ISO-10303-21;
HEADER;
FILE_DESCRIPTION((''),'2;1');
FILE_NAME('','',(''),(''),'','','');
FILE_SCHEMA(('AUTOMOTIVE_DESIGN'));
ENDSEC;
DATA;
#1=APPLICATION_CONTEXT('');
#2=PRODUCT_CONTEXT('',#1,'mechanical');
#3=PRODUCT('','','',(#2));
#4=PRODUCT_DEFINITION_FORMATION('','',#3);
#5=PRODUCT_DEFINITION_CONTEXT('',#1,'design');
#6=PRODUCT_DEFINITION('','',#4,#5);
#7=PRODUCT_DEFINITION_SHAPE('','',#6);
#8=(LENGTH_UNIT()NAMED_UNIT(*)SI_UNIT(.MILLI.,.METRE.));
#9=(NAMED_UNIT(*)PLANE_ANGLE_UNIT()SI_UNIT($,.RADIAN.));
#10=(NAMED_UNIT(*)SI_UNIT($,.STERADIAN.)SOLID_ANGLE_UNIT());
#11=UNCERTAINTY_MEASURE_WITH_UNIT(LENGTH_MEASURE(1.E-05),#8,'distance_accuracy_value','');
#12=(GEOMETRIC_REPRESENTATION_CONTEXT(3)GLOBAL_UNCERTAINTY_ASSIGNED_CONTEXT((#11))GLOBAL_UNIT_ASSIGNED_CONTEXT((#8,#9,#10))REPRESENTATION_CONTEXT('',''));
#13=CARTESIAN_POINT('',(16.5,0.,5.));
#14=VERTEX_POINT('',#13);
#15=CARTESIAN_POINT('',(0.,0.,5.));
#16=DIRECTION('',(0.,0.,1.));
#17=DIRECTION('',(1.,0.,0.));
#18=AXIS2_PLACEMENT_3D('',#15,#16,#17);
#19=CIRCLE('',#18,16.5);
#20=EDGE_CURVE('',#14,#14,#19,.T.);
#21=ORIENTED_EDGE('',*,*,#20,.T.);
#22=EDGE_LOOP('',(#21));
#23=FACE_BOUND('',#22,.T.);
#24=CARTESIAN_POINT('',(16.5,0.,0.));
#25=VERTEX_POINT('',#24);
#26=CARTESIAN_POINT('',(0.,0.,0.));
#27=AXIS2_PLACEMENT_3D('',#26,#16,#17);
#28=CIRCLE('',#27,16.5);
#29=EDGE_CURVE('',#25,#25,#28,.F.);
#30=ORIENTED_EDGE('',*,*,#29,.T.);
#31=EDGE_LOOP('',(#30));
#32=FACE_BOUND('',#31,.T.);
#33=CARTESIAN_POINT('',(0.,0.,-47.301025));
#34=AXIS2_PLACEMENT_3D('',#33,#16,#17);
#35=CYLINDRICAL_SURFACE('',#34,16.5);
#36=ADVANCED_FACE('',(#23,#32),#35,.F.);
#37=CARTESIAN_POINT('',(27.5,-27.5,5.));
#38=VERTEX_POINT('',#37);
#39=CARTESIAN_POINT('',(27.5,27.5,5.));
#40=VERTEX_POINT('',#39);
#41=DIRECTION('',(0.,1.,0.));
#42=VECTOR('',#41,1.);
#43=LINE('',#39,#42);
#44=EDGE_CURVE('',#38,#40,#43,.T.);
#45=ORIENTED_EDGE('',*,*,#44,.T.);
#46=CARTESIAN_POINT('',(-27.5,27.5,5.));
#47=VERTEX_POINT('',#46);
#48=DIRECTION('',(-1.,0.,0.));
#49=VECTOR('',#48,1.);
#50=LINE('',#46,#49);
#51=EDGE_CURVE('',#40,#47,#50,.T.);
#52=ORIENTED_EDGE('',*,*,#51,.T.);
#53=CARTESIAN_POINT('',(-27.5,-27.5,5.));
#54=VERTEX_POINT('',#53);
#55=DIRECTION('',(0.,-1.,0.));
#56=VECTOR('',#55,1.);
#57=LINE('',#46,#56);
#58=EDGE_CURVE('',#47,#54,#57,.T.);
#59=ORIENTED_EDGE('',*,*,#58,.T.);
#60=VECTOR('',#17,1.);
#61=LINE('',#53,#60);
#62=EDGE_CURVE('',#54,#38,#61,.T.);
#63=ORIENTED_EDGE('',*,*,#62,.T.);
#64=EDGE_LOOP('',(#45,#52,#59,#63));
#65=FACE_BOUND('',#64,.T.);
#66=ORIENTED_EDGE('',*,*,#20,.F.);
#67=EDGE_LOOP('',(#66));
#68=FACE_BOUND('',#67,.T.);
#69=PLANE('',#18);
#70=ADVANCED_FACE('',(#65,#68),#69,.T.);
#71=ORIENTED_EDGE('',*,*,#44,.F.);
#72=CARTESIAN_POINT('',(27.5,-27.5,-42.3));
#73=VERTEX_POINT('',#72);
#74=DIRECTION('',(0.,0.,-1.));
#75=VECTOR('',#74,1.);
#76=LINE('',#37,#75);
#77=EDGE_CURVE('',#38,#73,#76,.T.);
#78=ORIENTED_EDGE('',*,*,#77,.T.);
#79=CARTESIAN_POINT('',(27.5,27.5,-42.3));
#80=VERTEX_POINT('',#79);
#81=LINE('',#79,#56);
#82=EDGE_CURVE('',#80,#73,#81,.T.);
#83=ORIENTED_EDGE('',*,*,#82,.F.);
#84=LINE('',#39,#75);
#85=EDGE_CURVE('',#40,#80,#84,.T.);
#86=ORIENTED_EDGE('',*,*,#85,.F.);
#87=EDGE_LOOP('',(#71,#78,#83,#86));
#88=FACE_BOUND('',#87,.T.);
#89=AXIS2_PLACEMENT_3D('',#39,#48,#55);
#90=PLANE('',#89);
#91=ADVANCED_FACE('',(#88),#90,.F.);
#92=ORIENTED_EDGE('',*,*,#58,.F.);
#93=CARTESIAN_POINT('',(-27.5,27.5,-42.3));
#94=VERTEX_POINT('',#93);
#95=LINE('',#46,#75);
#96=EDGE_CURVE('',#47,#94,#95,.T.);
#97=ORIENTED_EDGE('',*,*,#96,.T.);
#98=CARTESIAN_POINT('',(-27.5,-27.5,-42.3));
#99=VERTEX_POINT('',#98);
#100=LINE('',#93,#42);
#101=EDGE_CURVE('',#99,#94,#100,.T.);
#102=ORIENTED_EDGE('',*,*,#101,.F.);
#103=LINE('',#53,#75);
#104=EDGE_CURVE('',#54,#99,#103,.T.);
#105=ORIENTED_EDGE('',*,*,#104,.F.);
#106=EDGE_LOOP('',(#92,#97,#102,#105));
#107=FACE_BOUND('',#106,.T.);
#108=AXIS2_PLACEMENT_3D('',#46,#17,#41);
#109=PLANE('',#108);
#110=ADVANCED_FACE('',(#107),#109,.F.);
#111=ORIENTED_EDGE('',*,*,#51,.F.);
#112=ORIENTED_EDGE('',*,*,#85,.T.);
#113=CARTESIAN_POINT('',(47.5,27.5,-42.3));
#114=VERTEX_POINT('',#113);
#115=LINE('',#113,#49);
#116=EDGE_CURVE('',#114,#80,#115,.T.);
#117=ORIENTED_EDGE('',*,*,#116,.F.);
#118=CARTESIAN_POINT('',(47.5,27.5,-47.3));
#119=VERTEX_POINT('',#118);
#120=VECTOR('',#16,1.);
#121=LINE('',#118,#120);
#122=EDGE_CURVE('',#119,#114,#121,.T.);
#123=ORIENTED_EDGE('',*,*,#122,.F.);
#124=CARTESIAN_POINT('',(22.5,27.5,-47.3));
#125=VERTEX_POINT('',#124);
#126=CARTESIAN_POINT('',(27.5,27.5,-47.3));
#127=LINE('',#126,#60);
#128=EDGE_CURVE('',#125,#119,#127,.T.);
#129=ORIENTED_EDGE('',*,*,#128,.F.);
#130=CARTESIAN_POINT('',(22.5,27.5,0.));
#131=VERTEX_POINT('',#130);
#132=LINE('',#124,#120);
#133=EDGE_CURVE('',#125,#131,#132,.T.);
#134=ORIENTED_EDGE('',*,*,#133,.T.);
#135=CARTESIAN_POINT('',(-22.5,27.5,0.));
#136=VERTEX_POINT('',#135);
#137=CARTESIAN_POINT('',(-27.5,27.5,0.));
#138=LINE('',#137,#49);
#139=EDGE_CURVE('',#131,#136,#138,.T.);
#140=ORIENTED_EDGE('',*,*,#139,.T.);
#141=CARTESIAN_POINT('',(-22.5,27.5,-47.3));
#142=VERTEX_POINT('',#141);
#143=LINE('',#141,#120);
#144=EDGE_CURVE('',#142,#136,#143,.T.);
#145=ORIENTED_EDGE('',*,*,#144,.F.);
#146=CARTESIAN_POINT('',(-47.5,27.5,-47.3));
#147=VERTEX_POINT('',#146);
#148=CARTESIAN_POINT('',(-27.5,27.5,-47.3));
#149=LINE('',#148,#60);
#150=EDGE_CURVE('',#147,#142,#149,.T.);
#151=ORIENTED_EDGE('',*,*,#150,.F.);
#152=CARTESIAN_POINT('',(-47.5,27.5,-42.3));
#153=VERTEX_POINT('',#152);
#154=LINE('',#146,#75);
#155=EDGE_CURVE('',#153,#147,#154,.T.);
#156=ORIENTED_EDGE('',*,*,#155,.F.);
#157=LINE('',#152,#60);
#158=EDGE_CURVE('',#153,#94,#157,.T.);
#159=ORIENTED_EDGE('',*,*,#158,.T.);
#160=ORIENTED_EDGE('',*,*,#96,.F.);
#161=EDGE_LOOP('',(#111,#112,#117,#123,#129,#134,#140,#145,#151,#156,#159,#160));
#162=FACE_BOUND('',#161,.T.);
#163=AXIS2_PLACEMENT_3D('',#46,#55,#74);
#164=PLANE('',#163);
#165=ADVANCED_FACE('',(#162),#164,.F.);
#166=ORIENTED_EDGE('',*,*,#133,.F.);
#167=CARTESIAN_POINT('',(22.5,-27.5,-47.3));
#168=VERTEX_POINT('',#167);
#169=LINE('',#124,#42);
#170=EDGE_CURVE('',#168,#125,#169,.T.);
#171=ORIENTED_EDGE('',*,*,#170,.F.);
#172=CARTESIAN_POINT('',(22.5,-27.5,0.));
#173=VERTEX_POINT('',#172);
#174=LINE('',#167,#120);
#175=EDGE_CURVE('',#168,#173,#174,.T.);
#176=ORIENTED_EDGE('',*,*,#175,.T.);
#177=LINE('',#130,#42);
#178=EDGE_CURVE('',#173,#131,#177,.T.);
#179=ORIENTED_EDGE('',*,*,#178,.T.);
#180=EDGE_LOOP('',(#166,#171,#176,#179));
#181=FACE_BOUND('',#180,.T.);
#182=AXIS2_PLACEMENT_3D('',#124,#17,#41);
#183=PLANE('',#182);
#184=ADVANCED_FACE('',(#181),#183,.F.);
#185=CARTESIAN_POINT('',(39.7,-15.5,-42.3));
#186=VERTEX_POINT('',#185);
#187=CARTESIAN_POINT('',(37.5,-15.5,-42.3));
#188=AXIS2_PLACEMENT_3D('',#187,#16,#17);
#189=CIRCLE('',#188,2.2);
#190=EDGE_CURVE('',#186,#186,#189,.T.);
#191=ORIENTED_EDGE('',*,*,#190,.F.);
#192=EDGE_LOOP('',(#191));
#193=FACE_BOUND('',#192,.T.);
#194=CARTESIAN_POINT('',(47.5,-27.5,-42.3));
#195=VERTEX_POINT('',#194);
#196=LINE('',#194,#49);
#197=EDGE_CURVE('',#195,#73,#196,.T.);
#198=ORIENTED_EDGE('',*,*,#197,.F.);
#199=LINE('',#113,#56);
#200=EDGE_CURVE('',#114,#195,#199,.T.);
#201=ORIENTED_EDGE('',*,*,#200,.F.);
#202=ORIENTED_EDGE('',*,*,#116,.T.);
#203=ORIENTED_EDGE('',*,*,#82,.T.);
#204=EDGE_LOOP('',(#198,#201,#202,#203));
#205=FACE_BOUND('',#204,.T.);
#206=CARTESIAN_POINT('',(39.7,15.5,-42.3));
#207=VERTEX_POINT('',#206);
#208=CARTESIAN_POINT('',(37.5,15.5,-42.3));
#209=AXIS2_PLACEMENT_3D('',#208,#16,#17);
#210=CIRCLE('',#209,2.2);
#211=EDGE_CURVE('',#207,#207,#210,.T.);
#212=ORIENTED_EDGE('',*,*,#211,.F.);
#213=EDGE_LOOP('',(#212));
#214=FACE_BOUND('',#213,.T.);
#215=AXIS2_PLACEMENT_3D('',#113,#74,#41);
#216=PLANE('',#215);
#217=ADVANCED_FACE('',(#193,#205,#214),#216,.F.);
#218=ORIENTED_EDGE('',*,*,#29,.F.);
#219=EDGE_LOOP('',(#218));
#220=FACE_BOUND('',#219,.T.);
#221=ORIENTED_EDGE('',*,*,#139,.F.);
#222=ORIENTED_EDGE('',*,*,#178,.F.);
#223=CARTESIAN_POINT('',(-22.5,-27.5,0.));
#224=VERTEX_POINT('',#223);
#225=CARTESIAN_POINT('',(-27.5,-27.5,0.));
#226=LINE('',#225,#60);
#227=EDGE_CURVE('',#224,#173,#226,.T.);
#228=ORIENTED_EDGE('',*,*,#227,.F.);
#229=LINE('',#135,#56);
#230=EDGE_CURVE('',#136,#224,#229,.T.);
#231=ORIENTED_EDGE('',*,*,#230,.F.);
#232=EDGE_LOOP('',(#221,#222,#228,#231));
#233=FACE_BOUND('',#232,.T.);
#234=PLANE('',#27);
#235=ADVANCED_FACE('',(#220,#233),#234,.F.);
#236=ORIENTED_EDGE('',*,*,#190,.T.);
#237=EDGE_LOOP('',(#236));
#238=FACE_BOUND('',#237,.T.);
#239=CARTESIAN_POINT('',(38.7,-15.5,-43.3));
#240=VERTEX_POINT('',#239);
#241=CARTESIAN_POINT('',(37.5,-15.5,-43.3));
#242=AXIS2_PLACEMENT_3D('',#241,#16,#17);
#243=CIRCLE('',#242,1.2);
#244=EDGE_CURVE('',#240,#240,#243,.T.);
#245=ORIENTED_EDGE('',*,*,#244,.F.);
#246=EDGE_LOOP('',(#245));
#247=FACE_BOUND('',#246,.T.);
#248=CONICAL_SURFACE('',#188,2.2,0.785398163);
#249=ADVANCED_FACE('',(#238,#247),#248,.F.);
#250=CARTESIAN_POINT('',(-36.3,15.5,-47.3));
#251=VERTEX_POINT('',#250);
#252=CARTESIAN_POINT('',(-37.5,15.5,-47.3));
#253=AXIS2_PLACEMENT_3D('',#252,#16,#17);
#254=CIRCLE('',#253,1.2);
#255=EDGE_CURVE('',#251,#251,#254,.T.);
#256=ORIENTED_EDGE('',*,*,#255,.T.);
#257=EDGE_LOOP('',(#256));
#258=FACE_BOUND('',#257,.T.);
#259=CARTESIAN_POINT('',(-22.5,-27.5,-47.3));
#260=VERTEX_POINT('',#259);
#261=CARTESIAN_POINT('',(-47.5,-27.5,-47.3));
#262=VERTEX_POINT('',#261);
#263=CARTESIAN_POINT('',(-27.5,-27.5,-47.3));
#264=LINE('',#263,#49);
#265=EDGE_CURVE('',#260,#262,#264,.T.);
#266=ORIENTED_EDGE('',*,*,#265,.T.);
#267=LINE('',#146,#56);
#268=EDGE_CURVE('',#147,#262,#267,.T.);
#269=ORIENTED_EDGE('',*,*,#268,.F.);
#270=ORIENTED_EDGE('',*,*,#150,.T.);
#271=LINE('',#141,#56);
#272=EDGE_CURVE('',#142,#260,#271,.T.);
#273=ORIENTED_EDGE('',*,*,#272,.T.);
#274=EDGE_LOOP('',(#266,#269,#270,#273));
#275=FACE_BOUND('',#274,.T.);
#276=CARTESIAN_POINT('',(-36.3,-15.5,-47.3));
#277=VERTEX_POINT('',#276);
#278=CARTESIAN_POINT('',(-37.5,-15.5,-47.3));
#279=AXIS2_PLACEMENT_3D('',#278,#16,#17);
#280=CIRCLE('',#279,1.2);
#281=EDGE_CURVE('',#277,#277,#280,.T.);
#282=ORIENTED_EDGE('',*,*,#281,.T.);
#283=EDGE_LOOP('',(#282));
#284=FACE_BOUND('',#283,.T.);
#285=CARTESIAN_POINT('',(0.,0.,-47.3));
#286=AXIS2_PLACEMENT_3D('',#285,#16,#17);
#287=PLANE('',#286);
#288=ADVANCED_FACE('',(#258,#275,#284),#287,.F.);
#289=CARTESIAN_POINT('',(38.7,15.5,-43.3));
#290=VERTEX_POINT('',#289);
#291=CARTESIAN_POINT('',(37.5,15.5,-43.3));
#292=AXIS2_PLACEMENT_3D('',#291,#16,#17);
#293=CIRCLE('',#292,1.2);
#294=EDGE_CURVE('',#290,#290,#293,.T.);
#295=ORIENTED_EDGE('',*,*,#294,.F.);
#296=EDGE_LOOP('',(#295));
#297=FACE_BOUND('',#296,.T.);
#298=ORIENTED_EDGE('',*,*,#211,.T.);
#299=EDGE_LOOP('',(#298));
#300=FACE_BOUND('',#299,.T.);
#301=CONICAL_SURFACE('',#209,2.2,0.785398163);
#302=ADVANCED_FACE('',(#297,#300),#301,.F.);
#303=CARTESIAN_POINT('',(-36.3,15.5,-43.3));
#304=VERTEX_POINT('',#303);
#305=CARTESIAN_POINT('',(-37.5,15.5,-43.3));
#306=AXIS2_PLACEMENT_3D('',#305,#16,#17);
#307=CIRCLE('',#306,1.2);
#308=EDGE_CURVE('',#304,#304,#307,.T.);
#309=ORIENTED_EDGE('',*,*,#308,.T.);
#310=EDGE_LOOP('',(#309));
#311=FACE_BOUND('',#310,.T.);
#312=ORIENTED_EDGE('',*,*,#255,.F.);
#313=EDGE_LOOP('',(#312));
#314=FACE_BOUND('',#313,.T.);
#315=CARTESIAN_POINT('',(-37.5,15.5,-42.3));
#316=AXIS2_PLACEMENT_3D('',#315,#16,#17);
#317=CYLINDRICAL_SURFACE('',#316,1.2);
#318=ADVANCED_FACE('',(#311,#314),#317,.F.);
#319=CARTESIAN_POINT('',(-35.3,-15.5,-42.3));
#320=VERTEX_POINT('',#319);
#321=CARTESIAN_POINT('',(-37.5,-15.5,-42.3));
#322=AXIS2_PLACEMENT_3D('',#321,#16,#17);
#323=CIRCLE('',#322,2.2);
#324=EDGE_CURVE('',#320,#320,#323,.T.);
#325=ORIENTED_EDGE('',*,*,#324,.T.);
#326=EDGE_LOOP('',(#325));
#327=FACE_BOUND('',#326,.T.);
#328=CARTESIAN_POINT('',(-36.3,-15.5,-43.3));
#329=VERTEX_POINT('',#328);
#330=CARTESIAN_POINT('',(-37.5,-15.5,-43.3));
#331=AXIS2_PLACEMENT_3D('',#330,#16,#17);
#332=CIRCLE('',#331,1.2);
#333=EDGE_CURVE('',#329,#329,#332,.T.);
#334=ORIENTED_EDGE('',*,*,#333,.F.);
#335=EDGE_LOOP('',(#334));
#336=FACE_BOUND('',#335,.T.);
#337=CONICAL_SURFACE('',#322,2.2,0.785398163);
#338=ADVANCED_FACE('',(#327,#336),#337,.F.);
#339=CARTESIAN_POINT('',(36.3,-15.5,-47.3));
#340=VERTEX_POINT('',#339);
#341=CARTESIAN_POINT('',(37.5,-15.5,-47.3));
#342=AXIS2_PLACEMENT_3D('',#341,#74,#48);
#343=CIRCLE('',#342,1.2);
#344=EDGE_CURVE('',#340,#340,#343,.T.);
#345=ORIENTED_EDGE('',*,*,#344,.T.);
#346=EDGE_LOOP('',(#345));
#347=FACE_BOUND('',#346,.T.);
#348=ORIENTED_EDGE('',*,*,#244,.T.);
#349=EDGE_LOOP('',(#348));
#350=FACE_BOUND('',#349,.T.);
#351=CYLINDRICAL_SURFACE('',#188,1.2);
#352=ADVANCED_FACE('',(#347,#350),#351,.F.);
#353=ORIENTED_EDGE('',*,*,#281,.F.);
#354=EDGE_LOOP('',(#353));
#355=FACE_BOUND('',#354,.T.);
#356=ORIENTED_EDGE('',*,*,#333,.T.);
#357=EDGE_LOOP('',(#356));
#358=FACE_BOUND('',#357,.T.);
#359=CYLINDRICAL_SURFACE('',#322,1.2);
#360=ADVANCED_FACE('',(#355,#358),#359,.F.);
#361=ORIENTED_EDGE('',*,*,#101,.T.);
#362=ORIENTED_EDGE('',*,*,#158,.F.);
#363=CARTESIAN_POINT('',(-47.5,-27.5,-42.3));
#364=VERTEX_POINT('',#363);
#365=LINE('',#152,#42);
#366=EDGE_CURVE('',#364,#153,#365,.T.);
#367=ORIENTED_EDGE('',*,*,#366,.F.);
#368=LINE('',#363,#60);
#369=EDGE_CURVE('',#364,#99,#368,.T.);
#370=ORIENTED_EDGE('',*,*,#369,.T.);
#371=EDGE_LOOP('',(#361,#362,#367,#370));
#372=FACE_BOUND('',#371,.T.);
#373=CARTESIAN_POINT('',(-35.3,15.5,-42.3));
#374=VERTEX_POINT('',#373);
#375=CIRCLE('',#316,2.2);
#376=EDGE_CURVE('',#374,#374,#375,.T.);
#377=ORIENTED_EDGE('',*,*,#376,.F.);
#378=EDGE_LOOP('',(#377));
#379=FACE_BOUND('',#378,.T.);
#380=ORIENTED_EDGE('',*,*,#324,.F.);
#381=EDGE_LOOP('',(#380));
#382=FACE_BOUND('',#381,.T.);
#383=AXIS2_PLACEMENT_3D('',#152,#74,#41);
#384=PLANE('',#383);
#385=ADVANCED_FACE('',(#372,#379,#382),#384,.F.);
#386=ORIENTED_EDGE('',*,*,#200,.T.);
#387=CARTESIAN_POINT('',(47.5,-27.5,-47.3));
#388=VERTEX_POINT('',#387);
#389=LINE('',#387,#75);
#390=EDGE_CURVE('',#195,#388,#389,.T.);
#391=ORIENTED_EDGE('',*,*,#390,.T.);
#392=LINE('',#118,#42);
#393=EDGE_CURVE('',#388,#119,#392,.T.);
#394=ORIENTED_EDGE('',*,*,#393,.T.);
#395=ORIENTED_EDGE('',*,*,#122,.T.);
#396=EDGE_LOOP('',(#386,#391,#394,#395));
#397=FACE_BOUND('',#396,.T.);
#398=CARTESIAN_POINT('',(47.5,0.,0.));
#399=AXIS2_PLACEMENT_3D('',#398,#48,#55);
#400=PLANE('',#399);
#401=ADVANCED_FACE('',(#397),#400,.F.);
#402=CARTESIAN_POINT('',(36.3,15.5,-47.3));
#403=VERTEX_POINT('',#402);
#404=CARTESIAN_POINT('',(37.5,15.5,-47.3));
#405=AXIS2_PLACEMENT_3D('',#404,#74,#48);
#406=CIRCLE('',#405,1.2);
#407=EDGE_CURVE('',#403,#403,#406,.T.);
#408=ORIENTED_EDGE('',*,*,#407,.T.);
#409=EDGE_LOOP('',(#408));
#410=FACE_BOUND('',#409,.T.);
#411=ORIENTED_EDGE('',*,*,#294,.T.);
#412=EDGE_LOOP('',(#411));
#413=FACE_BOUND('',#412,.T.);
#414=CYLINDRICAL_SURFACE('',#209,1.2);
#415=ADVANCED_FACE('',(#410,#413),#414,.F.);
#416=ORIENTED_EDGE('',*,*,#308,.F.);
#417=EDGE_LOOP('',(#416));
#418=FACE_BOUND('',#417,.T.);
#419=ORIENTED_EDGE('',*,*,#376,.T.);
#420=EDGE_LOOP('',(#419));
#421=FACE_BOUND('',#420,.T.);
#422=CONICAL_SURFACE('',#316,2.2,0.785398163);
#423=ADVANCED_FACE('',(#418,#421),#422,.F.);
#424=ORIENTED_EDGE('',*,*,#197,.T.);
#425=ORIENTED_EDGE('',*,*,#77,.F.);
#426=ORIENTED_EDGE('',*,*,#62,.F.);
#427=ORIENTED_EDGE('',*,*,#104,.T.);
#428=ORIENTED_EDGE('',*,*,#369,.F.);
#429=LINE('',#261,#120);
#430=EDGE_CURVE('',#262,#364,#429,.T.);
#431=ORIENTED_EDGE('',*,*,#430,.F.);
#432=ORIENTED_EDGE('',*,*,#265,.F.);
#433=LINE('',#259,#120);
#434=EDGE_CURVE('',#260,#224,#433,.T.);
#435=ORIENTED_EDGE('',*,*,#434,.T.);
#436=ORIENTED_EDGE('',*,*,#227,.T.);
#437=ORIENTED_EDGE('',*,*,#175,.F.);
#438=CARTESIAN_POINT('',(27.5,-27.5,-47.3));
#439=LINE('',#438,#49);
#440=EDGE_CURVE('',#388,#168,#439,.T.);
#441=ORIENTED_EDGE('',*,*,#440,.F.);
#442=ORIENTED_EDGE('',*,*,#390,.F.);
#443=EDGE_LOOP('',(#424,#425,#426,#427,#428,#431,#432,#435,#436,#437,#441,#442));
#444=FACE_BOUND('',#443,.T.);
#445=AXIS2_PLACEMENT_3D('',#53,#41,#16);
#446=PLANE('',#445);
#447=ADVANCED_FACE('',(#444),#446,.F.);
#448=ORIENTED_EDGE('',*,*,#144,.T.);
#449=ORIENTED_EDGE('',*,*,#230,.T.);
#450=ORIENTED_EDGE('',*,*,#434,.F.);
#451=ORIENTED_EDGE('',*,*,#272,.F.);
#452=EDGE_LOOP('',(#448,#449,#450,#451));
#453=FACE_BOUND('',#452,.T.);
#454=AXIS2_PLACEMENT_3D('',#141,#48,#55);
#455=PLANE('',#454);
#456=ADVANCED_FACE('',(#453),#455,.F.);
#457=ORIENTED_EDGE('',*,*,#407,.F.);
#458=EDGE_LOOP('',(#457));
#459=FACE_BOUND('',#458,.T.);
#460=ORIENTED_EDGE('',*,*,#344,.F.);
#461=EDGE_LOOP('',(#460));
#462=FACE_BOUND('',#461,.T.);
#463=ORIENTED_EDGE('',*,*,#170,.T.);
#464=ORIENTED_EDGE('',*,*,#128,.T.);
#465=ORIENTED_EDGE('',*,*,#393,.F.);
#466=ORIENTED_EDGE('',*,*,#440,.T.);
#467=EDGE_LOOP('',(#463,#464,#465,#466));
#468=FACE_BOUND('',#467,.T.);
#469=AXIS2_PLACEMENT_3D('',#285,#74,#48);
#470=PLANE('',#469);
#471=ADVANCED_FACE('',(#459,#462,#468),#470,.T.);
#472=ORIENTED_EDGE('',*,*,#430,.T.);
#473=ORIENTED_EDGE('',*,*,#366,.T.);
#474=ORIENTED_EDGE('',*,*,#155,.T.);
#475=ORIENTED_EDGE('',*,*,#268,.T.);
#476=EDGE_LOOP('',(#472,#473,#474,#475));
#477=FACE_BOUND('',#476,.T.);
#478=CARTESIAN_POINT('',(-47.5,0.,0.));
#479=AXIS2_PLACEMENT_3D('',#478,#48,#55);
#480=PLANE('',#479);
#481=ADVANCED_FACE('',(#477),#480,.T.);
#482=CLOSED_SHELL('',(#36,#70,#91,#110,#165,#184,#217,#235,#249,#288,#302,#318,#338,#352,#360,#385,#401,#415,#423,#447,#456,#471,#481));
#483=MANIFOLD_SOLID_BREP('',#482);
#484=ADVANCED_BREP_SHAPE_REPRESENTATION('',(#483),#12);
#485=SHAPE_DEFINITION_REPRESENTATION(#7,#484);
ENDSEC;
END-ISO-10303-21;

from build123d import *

# Parameters (mm, degrees)
SKETCH1_W                                       = 55
SKETCH1_H                                       = 55
BOSS_EXTRUDE1_DEPTH                             = 5
SKETCH2_W                                       = 5
SKETCH2_H                                       = 55
BOSS_EXTRUDE2_DEPTH                             = 47.3
CUT_EXTRUDE1_REACH                              = 54.3
SKETCH3_R                                       = 16.5
SKETCH4_W                                       = 5
SKETCH4_H                                       = 55
BOSS_EXTRUDE3_DEPTH                             = 20
SKETCH5_W                                       = 5
SKETCH5_H                                       = 55
BOSS_EXTRUDE4_DEPTH                             = 20
CSK_FOR_M2_FLAT_HEAD_MACHINE_SCREW1_D           = 2.4
CSK_FOR_M2_FLAT_HEAD_MACHINE_SCREW1_CSINK_D     = 4.4
CSK_FOR_M2_FLAT_HEAD_MACHINE_SCREW1_CSINK_ANGLE = 90


with BuildPart() as part:
    # Sketch1 → Boss-Extrude1 (new body)
    with BuildSketch(Plane.XY):
        Rectangle(SKETCH1_W, SKETCH1_H)
    extrude(amount=BOSS_EXTRUDE1_DEPTH)

    # Sketch2 → Boss-Extrude2 (add)
    with BuildSketch(Plane(origin=(0, 0, 0), x_dir=(-1, 0, 0), z_dir=(0, 0, -1))):
        with Locations((-25, 0)):
            Rectangle(SKETCH2_W, SKETCH2_H)
        with Locations((25, 0)):
            Rectangle(SKETCH2_W, SKETCH2_H)
    extrude(amount=BOSS_EXTRUDE2_DEPTH)

    # Sketch3 → Cut-Extrude1 (cut, up to next)
    with BuildSketch(Plane.XY.offset(5), mode=Mode.PRIVATE) as cut_extrude1_sk1:
        Circle(SKETCH3_R)
    cut_extrude1_tool1 = extrude(cut_extrude1_sk1.sketch, amount=-CUT_EXTRUDE1_REACH, mode=Mode.PRIVATE) & part.part
    add(cut_extrude1_tool1.solids().sort_by_distance((0, 0, 5))[0], mode=Mode.SUBTRACT)

    # Sketch4 → Boss-Extrude3 (add)
    with BuildSketch(Plane(origin=(27.5, 0, 0), x_dir=(0, 0, -1), z_dir=(1, 0, 0))):
        with Locations((44.8, 0)):
            Rectangle(SKETCH4_W, SKETCH4_H)
    extrude(amount=BOSS_EXTRUDE3_DEPTH)

    # Sketch5 → Boss-Extrude4 (add)
    with BuildSketch(Plane.ZY.offset(27.5)):
        with Locations((-44.8, 0)):
            Rectangle(SKETCH5_W, SKETCH5_H)
    extrude(amount=BOSS_EXTRUDE4_DEPTH)

    # CSK for M2 Flat Head Machine Screw1 (through all)
    with Locations(Plane.XY.offset(-42.3)):
        with Locations((-37.5, 15.5), (-37.5, -15.5), (37.5, 15.5), (37.5, -15.5)):
            CounterSinkHole(CSK_FOR_M2_FLAT_HEAD_MACHINE_SCREW1_D / 2, CSK_FOR_M2_FLAT_HEAD_MACHINE_SCREW1_CSINK_D / 2, counter_sink_angle=CSK_FOR_M2_FLAT_HEAD_MACHINE_SCREW1_CSINK_ANGLE)


solid = part.part
